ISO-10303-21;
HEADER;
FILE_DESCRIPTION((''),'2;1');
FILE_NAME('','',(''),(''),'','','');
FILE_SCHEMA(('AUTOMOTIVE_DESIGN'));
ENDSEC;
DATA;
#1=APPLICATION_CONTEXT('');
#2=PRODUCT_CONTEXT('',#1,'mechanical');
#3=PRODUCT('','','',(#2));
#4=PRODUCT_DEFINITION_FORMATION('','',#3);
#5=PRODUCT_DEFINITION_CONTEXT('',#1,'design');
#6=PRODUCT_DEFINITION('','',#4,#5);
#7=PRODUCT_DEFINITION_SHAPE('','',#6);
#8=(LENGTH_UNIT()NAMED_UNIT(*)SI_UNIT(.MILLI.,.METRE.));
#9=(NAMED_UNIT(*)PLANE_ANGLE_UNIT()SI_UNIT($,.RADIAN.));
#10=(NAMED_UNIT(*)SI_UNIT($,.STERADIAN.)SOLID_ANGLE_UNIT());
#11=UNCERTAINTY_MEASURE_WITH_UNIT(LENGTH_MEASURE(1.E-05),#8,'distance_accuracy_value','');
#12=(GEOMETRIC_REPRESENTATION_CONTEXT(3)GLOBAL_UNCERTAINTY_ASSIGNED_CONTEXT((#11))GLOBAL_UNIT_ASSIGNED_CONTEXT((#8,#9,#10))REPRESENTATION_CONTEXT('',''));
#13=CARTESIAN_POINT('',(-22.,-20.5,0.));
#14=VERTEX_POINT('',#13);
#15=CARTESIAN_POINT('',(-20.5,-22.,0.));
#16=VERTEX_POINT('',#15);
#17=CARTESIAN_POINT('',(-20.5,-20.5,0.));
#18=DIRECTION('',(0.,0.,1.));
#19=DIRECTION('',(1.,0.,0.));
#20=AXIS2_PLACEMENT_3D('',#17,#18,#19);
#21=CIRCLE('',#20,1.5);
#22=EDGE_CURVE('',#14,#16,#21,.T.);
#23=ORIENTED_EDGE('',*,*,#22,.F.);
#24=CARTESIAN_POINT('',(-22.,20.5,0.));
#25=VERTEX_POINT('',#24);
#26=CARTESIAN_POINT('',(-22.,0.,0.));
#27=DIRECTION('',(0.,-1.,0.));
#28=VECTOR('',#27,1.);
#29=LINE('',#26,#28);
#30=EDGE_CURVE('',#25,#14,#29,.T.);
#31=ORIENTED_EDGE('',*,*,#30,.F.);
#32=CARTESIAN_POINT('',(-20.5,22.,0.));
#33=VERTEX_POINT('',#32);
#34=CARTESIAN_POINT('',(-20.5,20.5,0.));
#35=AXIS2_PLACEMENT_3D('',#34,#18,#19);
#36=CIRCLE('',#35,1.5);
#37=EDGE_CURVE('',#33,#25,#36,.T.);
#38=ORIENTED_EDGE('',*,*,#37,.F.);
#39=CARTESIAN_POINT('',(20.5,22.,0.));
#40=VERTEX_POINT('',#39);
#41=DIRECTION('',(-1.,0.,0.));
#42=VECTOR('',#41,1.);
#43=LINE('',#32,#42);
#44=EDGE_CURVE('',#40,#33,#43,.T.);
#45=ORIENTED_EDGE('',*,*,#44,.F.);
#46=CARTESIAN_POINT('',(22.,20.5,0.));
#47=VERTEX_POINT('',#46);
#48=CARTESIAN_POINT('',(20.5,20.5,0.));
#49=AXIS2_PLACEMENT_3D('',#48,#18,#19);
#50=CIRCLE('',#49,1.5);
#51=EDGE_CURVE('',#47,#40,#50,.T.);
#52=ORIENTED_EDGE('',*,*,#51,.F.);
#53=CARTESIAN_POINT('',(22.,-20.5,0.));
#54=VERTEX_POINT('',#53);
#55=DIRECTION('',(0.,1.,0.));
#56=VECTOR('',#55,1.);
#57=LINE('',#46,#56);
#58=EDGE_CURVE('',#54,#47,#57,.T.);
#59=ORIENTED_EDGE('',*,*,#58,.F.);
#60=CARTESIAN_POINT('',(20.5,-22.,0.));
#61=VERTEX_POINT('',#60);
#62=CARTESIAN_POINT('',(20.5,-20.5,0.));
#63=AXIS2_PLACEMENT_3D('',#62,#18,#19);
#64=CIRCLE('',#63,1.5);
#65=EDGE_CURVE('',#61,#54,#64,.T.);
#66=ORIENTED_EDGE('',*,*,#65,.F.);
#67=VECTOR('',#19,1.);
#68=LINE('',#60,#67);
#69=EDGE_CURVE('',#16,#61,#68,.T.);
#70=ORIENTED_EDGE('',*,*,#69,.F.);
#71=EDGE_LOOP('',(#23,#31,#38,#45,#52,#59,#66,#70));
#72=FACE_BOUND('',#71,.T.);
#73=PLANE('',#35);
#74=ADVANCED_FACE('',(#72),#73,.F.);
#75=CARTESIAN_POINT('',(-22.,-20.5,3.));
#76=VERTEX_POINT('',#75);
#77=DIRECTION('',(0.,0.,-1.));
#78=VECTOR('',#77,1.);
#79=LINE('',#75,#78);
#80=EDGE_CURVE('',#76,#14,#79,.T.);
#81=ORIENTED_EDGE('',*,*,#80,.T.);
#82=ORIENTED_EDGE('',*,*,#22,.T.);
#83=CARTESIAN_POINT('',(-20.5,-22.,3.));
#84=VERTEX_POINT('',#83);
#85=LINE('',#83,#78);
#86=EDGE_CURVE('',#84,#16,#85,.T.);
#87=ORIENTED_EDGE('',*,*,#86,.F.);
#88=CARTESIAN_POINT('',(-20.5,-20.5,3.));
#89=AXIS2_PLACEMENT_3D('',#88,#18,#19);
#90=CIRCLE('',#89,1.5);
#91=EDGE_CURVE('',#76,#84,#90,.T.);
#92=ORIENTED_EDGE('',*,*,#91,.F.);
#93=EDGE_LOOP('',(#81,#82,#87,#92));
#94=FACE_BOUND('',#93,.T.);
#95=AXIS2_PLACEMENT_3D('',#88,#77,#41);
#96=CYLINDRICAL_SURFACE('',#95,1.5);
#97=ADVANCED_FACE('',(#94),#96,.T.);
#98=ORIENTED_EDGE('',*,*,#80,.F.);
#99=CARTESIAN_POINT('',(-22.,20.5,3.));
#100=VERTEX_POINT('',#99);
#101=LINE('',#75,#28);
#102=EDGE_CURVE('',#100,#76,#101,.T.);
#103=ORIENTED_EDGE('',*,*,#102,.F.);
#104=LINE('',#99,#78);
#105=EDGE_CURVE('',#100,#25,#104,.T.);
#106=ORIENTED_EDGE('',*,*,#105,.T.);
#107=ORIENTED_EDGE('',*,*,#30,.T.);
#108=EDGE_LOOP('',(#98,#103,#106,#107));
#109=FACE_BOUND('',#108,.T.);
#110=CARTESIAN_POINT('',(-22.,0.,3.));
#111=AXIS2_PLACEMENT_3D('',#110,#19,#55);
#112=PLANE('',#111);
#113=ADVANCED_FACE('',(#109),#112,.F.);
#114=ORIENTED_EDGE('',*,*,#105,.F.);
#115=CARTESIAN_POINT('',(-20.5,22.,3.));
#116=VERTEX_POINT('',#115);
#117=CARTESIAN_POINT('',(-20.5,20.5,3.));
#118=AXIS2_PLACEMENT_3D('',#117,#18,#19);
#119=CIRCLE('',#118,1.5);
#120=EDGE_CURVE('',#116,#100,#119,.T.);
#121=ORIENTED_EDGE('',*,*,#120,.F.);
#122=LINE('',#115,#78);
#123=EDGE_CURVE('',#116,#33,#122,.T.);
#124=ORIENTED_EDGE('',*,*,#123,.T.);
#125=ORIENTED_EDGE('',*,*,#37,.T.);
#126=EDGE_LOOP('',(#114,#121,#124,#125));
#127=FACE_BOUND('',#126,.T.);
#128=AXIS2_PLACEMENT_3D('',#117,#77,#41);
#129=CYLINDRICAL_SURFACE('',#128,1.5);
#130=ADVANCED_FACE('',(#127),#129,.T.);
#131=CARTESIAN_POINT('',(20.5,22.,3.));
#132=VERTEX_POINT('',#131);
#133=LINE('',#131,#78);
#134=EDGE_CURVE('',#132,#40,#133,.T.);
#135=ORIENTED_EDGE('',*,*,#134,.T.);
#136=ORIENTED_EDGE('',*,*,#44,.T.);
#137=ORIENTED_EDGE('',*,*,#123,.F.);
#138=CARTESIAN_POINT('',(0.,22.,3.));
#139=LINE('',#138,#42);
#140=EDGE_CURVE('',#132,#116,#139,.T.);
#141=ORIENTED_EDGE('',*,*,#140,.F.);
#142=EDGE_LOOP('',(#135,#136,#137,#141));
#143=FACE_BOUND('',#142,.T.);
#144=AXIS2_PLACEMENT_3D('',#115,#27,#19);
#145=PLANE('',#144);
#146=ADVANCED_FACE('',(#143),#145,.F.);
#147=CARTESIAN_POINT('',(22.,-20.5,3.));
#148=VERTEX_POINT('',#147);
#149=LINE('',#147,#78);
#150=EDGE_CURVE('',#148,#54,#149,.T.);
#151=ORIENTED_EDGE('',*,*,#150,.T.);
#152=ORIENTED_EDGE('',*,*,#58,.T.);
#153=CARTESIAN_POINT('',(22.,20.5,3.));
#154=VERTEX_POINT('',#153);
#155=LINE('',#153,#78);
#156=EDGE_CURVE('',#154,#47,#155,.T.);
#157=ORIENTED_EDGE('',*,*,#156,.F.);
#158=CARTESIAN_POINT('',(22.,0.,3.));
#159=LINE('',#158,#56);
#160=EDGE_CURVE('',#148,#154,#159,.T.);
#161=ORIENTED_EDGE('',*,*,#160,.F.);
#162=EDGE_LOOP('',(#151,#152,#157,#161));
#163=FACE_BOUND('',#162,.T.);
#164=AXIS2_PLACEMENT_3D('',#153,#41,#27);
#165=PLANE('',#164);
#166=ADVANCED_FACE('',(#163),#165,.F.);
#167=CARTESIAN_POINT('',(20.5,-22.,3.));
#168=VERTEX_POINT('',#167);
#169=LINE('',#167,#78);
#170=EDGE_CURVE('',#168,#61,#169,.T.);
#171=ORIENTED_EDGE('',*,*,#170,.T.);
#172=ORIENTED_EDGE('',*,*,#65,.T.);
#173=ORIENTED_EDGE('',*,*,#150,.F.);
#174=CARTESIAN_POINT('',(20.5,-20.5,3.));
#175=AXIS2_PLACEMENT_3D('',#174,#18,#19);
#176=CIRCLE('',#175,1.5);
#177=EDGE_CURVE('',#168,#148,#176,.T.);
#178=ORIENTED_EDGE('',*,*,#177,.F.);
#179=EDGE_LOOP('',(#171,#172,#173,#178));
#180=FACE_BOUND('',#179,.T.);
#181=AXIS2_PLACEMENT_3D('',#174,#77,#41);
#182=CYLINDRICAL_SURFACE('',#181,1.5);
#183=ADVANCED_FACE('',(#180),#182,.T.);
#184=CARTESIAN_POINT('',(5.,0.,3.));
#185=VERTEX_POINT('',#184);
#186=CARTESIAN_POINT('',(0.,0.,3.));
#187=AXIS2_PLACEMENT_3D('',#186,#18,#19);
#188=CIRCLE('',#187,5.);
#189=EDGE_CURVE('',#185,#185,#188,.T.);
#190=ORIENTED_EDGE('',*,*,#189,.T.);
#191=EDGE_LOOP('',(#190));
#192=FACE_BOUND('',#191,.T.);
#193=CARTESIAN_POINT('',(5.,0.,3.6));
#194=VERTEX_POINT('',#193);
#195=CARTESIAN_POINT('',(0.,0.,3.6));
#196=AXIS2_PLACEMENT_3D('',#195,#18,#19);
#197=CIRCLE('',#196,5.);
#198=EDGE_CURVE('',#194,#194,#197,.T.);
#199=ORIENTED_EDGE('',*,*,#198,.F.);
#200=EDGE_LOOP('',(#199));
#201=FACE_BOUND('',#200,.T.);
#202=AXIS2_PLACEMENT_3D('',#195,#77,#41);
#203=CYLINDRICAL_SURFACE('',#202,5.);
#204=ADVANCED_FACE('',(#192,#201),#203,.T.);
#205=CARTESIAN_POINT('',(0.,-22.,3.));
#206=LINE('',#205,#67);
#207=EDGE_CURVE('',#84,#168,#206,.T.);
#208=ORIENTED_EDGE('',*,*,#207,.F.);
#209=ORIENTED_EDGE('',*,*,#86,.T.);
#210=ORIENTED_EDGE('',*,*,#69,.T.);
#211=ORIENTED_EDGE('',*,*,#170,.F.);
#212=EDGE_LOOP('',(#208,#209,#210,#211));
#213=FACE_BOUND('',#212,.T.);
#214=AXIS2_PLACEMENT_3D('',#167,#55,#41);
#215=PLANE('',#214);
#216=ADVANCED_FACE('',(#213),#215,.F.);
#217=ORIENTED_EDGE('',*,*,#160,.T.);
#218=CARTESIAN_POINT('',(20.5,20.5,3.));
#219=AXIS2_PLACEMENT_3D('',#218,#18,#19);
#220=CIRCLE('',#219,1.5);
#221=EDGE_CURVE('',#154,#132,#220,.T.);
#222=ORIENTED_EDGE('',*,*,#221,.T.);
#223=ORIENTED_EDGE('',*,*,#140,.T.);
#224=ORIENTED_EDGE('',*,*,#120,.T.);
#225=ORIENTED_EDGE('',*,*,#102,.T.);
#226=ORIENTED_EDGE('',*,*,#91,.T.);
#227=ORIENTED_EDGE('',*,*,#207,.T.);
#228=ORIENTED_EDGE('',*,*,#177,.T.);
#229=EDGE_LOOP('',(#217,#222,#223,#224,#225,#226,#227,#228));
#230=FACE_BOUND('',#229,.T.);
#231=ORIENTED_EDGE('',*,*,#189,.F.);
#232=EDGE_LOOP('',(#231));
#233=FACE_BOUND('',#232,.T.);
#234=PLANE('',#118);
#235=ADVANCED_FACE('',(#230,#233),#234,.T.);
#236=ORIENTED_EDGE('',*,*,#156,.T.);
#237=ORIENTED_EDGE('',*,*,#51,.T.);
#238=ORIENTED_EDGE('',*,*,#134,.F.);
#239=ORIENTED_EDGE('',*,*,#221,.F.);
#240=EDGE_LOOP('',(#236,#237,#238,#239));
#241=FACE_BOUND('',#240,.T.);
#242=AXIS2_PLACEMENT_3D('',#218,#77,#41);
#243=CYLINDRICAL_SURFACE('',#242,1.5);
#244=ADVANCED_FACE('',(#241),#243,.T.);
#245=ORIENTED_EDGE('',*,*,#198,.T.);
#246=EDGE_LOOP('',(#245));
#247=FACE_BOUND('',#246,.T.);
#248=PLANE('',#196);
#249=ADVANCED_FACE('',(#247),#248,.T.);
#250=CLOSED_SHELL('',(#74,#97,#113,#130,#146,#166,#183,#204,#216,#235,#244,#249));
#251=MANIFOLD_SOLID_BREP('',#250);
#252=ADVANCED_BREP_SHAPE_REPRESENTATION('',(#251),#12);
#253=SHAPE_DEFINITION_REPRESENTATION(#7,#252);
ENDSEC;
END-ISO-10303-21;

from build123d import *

# Parameters (mm, degrees)
RESSALTO_EXTRUS_O1_DEPTH = 3
ESBO_O5_R                = 5
RESSALTO_EXTRUS_O2_DEPTH = 0.6


with BuildPart() as part:
    # Esboço4 → Ressalto-extrusão1 (new body)
    with BuildSketch(Plane.XY):
        with BuildLine():
            Line((-22, 0), (-22, 20.5))
            ThreePointArc((-22, 20.5), (-21.560660172, 21.560660173), (-20.499999999, 22.000000002))
            Line((-20.499999999, 22.000000002), (1e-09, 22.000000002))
            Line((1e-09, 22.000000002), (20.500000001, 22.000000002))
            ThreePointArc((20.500000001, 22.000000002), (21.560660174, 21.560660173), (22.000000003, 20.5))
            Line((22.000000003, 20.5), (22.000000003, 0))
            Line((22.000000003, 0), (22.000000003, -20.5))
            ThreePointArc((22.000000003, -20.5), (21.560660175, -21.560660173), (20.500000002, -22.000000002))
            Line((20.500000002, -22.000000002), (1e-09, -22.000000002))
            Line((1e-09, -22.000000002), (-20.499999999, -22.000000002))
            ThreePointArc((-20.499999999, -22.000000002), (-21.560660172, -21.560660173), (-22, -20.5))
            Line((-22, -20.5), (-22, 0))
        make_face()
    extrude(amount=RESSALTO_EXTRUS_O1_DEPTH)

    # Esboço5 → Ressalto-extrusão2 (add)
    with BuildSketch(Plane.XY.offset(3)):
        Circle(ESBO_O5_R)
    extrude(amount=RESSALTO_EXTRUS_O2_DEPTH)


solid = part.part
